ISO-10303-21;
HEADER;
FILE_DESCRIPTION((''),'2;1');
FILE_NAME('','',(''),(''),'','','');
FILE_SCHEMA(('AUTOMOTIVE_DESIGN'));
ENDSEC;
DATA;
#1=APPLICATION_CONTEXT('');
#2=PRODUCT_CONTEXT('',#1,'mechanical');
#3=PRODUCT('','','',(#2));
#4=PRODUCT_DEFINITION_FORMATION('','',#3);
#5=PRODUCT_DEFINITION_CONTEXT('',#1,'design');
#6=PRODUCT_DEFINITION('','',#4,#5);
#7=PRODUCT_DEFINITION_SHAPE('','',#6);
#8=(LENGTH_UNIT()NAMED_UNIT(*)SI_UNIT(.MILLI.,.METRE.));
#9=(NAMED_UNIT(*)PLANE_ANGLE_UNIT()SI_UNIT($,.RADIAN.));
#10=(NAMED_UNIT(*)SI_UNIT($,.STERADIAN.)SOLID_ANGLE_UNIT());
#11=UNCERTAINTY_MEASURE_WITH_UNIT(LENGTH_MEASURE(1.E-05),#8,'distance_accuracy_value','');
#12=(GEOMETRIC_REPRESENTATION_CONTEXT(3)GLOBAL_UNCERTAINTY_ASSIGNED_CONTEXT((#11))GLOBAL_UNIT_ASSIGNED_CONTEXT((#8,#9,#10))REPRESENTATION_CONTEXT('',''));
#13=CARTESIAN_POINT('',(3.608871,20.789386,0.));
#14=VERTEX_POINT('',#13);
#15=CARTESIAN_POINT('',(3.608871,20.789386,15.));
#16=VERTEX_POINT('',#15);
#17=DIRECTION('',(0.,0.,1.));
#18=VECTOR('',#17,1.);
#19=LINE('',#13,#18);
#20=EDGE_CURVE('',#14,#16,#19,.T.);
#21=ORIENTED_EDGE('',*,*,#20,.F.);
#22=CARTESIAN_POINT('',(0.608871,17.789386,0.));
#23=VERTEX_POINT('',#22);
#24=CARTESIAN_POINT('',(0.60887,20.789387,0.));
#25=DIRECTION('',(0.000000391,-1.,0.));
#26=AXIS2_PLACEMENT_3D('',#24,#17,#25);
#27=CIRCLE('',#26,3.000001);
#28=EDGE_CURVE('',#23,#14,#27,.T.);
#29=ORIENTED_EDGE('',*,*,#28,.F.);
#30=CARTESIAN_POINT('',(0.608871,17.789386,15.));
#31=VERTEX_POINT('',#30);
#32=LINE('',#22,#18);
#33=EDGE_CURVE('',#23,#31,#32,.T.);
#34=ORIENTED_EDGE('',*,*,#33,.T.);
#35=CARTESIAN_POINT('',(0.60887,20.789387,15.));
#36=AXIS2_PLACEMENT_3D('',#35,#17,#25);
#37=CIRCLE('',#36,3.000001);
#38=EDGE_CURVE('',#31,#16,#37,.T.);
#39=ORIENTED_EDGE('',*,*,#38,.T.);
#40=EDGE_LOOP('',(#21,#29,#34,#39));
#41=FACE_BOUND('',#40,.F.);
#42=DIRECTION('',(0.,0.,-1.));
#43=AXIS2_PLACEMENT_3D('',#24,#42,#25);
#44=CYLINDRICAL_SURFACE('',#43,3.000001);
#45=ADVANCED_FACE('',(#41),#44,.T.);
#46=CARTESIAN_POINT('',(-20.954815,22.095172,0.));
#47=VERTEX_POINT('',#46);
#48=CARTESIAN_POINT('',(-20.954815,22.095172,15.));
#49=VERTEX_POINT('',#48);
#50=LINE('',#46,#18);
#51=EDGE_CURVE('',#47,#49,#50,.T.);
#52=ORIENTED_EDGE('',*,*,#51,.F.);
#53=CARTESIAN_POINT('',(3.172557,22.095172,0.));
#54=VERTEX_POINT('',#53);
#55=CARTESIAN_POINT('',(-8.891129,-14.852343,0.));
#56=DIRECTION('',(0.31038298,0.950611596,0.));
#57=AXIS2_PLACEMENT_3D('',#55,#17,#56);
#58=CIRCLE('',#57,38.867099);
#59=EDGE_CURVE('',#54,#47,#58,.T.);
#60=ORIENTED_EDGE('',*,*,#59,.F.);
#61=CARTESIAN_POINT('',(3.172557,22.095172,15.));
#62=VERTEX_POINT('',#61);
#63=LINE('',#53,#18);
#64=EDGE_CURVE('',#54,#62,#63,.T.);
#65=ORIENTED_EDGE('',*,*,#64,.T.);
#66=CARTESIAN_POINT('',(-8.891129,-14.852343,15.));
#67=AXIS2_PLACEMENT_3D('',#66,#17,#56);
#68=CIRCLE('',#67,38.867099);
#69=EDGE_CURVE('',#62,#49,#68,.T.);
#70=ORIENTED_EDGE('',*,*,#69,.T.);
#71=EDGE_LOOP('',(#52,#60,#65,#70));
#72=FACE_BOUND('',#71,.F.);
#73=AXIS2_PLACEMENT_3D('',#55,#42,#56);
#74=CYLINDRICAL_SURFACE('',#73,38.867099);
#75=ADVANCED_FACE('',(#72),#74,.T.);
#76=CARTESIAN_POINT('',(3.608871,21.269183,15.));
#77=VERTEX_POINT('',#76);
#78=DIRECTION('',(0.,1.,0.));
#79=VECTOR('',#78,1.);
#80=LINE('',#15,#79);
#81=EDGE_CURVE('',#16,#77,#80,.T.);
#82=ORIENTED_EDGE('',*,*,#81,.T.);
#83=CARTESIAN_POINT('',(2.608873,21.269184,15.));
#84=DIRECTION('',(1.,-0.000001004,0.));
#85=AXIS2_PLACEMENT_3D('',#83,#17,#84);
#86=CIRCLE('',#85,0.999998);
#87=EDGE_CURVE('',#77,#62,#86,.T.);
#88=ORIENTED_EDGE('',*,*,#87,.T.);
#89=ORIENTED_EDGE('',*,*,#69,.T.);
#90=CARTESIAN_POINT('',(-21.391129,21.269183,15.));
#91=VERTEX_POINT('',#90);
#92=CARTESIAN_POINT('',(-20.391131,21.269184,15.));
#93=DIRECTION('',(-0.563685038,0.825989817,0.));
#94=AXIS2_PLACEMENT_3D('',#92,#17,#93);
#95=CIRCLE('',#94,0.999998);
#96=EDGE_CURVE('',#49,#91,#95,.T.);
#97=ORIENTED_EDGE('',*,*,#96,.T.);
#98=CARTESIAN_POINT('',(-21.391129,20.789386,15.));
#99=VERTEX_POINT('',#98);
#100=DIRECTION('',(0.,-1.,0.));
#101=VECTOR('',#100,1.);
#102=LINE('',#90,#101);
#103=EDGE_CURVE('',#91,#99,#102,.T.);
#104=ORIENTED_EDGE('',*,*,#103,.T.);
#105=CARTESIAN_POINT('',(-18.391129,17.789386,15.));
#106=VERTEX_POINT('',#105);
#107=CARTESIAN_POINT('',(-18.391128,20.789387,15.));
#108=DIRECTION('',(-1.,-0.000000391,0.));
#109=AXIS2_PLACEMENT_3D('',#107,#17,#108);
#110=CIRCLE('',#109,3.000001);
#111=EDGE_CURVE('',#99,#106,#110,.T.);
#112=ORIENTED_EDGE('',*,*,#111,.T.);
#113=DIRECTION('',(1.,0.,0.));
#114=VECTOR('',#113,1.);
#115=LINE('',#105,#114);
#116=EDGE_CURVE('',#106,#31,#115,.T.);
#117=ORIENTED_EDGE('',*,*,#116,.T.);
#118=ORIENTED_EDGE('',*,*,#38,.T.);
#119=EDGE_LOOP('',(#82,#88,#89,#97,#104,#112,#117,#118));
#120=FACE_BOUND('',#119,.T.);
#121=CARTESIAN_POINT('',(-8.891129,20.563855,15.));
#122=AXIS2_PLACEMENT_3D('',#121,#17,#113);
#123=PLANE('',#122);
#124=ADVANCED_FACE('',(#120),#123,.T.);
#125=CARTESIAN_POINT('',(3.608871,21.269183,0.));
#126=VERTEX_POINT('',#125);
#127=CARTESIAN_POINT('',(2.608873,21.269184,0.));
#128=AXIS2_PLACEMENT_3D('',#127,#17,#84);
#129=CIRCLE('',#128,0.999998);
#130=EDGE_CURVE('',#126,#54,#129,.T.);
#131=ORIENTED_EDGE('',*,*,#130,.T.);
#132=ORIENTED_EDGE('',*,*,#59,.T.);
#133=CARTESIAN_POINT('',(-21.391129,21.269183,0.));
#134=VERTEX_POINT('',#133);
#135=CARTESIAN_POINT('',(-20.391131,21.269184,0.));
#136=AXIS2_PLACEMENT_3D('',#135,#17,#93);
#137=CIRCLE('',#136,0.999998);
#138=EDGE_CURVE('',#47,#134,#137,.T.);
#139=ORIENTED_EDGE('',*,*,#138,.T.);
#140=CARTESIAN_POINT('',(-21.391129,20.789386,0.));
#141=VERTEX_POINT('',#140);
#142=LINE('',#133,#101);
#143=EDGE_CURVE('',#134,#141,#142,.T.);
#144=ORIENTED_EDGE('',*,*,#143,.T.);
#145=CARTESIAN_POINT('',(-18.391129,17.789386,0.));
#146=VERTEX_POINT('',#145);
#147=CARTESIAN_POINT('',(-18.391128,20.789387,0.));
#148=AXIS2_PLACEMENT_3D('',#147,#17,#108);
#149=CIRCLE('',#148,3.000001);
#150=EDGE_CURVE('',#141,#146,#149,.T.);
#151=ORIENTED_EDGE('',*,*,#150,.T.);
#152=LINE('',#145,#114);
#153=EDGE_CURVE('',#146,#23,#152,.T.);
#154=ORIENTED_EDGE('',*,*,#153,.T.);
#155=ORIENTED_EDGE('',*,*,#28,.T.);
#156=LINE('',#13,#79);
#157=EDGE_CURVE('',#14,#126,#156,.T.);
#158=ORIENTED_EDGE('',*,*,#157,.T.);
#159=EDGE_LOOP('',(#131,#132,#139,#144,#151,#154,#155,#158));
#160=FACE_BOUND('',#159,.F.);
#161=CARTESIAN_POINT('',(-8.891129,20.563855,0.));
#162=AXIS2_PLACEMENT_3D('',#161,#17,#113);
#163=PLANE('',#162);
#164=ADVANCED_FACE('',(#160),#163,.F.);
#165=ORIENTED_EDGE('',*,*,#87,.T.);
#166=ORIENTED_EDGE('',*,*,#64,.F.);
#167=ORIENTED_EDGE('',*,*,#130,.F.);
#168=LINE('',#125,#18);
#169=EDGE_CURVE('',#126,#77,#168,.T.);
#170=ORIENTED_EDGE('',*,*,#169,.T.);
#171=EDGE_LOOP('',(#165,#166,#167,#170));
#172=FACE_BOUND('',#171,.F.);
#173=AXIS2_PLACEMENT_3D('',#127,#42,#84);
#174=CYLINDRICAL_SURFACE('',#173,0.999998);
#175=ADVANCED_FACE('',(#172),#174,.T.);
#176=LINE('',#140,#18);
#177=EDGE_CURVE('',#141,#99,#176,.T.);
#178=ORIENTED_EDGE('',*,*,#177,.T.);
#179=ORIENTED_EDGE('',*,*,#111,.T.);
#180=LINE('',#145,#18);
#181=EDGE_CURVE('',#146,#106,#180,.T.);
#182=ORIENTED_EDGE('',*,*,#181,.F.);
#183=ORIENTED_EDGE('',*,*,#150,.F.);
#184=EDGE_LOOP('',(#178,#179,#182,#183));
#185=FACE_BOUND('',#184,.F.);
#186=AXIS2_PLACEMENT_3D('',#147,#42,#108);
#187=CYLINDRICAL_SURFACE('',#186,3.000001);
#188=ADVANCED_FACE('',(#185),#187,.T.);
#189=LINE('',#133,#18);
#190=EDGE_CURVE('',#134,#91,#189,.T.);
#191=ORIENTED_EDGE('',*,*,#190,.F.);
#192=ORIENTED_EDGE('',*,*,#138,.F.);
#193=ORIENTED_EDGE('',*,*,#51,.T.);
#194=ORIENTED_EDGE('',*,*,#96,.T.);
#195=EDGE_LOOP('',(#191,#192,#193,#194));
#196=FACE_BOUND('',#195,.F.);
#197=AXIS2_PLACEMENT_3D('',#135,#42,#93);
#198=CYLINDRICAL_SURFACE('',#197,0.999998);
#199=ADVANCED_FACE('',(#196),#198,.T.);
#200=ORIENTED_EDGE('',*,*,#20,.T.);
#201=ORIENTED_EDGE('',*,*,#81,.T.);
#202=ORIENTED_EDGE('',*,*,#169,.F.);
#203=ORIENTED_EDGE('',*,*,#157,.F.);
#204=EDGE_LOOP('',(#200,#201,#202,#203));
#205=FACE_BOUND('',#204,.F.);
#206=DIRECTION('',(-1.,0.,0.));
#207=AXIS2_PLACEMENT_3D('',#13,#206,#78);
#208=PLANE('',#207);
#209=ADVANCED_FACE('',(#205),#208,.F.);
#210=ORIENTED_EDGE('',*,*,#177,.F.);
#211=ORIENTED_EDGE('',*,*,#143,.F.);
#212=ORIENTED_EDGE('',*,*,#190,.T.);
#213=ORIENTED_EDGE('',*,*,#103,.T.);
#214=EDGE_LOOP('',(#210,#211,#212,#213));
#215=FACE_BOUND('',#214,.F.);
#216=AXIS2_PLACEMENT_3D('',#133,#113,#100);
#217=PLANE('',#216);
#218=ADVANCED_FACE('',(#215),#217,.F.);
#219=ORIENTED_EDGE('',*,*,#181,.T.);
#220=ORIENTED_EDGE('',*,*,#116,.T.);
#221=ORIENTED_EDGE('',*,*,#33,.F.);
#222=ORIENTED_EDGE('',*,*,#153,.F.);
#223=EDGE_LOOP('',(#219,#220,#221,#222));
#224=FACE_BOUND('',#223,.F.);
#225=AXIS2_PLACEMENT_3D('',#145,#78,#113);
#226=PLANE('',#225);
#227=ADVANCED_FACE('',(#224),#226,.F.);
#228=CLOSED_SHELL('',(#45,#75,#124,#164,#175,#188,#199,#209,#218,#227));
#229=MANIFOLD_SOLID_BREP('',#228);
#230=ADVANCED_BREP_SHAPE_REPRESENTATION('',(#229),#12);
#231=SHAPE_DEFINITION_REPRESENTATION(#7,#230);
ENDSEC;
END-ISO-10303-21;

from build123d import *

# Parameters (mm, degrees)
F1_DEPTH = 15


with BuildPart() as f1:
    # F0 (on Top) → F1 (new body)
    with BuildSketch(Plane.XY):
        with BuildLine():
            ThreePointArc((-21.391129, 20.789386), (-20.512449, 18.668066), (-18.391129, 17.789386))
            Line((-18.391129, 17.789386), (0.608871, 17.789386))
            ThreePointArc((0.608871, 17.789386), (2.730191, 18.668066), (3.608871, 20.789386))
            Line((3.608871, 20.789386), (3.608871, 21.269183))
            ThreePointArc((3.608871, 21.269183), (3.49309, 21.736256), (3.172557, 22.095172))
            ThreePointArc((3.172557, 22.095172), (-8.891129, 24.014756), (-20.954815, 22.095172))
            ThreePointArc((-20.954815, 22.095172), (-21.275348, 21.736256), (-21.391129, 21.269183))
            Line((-21.391129, 21.269183), (-21.391129, 20.789386))
        make_face()
    extrude(amount=F1_DEPTH)


solid = f1.part
